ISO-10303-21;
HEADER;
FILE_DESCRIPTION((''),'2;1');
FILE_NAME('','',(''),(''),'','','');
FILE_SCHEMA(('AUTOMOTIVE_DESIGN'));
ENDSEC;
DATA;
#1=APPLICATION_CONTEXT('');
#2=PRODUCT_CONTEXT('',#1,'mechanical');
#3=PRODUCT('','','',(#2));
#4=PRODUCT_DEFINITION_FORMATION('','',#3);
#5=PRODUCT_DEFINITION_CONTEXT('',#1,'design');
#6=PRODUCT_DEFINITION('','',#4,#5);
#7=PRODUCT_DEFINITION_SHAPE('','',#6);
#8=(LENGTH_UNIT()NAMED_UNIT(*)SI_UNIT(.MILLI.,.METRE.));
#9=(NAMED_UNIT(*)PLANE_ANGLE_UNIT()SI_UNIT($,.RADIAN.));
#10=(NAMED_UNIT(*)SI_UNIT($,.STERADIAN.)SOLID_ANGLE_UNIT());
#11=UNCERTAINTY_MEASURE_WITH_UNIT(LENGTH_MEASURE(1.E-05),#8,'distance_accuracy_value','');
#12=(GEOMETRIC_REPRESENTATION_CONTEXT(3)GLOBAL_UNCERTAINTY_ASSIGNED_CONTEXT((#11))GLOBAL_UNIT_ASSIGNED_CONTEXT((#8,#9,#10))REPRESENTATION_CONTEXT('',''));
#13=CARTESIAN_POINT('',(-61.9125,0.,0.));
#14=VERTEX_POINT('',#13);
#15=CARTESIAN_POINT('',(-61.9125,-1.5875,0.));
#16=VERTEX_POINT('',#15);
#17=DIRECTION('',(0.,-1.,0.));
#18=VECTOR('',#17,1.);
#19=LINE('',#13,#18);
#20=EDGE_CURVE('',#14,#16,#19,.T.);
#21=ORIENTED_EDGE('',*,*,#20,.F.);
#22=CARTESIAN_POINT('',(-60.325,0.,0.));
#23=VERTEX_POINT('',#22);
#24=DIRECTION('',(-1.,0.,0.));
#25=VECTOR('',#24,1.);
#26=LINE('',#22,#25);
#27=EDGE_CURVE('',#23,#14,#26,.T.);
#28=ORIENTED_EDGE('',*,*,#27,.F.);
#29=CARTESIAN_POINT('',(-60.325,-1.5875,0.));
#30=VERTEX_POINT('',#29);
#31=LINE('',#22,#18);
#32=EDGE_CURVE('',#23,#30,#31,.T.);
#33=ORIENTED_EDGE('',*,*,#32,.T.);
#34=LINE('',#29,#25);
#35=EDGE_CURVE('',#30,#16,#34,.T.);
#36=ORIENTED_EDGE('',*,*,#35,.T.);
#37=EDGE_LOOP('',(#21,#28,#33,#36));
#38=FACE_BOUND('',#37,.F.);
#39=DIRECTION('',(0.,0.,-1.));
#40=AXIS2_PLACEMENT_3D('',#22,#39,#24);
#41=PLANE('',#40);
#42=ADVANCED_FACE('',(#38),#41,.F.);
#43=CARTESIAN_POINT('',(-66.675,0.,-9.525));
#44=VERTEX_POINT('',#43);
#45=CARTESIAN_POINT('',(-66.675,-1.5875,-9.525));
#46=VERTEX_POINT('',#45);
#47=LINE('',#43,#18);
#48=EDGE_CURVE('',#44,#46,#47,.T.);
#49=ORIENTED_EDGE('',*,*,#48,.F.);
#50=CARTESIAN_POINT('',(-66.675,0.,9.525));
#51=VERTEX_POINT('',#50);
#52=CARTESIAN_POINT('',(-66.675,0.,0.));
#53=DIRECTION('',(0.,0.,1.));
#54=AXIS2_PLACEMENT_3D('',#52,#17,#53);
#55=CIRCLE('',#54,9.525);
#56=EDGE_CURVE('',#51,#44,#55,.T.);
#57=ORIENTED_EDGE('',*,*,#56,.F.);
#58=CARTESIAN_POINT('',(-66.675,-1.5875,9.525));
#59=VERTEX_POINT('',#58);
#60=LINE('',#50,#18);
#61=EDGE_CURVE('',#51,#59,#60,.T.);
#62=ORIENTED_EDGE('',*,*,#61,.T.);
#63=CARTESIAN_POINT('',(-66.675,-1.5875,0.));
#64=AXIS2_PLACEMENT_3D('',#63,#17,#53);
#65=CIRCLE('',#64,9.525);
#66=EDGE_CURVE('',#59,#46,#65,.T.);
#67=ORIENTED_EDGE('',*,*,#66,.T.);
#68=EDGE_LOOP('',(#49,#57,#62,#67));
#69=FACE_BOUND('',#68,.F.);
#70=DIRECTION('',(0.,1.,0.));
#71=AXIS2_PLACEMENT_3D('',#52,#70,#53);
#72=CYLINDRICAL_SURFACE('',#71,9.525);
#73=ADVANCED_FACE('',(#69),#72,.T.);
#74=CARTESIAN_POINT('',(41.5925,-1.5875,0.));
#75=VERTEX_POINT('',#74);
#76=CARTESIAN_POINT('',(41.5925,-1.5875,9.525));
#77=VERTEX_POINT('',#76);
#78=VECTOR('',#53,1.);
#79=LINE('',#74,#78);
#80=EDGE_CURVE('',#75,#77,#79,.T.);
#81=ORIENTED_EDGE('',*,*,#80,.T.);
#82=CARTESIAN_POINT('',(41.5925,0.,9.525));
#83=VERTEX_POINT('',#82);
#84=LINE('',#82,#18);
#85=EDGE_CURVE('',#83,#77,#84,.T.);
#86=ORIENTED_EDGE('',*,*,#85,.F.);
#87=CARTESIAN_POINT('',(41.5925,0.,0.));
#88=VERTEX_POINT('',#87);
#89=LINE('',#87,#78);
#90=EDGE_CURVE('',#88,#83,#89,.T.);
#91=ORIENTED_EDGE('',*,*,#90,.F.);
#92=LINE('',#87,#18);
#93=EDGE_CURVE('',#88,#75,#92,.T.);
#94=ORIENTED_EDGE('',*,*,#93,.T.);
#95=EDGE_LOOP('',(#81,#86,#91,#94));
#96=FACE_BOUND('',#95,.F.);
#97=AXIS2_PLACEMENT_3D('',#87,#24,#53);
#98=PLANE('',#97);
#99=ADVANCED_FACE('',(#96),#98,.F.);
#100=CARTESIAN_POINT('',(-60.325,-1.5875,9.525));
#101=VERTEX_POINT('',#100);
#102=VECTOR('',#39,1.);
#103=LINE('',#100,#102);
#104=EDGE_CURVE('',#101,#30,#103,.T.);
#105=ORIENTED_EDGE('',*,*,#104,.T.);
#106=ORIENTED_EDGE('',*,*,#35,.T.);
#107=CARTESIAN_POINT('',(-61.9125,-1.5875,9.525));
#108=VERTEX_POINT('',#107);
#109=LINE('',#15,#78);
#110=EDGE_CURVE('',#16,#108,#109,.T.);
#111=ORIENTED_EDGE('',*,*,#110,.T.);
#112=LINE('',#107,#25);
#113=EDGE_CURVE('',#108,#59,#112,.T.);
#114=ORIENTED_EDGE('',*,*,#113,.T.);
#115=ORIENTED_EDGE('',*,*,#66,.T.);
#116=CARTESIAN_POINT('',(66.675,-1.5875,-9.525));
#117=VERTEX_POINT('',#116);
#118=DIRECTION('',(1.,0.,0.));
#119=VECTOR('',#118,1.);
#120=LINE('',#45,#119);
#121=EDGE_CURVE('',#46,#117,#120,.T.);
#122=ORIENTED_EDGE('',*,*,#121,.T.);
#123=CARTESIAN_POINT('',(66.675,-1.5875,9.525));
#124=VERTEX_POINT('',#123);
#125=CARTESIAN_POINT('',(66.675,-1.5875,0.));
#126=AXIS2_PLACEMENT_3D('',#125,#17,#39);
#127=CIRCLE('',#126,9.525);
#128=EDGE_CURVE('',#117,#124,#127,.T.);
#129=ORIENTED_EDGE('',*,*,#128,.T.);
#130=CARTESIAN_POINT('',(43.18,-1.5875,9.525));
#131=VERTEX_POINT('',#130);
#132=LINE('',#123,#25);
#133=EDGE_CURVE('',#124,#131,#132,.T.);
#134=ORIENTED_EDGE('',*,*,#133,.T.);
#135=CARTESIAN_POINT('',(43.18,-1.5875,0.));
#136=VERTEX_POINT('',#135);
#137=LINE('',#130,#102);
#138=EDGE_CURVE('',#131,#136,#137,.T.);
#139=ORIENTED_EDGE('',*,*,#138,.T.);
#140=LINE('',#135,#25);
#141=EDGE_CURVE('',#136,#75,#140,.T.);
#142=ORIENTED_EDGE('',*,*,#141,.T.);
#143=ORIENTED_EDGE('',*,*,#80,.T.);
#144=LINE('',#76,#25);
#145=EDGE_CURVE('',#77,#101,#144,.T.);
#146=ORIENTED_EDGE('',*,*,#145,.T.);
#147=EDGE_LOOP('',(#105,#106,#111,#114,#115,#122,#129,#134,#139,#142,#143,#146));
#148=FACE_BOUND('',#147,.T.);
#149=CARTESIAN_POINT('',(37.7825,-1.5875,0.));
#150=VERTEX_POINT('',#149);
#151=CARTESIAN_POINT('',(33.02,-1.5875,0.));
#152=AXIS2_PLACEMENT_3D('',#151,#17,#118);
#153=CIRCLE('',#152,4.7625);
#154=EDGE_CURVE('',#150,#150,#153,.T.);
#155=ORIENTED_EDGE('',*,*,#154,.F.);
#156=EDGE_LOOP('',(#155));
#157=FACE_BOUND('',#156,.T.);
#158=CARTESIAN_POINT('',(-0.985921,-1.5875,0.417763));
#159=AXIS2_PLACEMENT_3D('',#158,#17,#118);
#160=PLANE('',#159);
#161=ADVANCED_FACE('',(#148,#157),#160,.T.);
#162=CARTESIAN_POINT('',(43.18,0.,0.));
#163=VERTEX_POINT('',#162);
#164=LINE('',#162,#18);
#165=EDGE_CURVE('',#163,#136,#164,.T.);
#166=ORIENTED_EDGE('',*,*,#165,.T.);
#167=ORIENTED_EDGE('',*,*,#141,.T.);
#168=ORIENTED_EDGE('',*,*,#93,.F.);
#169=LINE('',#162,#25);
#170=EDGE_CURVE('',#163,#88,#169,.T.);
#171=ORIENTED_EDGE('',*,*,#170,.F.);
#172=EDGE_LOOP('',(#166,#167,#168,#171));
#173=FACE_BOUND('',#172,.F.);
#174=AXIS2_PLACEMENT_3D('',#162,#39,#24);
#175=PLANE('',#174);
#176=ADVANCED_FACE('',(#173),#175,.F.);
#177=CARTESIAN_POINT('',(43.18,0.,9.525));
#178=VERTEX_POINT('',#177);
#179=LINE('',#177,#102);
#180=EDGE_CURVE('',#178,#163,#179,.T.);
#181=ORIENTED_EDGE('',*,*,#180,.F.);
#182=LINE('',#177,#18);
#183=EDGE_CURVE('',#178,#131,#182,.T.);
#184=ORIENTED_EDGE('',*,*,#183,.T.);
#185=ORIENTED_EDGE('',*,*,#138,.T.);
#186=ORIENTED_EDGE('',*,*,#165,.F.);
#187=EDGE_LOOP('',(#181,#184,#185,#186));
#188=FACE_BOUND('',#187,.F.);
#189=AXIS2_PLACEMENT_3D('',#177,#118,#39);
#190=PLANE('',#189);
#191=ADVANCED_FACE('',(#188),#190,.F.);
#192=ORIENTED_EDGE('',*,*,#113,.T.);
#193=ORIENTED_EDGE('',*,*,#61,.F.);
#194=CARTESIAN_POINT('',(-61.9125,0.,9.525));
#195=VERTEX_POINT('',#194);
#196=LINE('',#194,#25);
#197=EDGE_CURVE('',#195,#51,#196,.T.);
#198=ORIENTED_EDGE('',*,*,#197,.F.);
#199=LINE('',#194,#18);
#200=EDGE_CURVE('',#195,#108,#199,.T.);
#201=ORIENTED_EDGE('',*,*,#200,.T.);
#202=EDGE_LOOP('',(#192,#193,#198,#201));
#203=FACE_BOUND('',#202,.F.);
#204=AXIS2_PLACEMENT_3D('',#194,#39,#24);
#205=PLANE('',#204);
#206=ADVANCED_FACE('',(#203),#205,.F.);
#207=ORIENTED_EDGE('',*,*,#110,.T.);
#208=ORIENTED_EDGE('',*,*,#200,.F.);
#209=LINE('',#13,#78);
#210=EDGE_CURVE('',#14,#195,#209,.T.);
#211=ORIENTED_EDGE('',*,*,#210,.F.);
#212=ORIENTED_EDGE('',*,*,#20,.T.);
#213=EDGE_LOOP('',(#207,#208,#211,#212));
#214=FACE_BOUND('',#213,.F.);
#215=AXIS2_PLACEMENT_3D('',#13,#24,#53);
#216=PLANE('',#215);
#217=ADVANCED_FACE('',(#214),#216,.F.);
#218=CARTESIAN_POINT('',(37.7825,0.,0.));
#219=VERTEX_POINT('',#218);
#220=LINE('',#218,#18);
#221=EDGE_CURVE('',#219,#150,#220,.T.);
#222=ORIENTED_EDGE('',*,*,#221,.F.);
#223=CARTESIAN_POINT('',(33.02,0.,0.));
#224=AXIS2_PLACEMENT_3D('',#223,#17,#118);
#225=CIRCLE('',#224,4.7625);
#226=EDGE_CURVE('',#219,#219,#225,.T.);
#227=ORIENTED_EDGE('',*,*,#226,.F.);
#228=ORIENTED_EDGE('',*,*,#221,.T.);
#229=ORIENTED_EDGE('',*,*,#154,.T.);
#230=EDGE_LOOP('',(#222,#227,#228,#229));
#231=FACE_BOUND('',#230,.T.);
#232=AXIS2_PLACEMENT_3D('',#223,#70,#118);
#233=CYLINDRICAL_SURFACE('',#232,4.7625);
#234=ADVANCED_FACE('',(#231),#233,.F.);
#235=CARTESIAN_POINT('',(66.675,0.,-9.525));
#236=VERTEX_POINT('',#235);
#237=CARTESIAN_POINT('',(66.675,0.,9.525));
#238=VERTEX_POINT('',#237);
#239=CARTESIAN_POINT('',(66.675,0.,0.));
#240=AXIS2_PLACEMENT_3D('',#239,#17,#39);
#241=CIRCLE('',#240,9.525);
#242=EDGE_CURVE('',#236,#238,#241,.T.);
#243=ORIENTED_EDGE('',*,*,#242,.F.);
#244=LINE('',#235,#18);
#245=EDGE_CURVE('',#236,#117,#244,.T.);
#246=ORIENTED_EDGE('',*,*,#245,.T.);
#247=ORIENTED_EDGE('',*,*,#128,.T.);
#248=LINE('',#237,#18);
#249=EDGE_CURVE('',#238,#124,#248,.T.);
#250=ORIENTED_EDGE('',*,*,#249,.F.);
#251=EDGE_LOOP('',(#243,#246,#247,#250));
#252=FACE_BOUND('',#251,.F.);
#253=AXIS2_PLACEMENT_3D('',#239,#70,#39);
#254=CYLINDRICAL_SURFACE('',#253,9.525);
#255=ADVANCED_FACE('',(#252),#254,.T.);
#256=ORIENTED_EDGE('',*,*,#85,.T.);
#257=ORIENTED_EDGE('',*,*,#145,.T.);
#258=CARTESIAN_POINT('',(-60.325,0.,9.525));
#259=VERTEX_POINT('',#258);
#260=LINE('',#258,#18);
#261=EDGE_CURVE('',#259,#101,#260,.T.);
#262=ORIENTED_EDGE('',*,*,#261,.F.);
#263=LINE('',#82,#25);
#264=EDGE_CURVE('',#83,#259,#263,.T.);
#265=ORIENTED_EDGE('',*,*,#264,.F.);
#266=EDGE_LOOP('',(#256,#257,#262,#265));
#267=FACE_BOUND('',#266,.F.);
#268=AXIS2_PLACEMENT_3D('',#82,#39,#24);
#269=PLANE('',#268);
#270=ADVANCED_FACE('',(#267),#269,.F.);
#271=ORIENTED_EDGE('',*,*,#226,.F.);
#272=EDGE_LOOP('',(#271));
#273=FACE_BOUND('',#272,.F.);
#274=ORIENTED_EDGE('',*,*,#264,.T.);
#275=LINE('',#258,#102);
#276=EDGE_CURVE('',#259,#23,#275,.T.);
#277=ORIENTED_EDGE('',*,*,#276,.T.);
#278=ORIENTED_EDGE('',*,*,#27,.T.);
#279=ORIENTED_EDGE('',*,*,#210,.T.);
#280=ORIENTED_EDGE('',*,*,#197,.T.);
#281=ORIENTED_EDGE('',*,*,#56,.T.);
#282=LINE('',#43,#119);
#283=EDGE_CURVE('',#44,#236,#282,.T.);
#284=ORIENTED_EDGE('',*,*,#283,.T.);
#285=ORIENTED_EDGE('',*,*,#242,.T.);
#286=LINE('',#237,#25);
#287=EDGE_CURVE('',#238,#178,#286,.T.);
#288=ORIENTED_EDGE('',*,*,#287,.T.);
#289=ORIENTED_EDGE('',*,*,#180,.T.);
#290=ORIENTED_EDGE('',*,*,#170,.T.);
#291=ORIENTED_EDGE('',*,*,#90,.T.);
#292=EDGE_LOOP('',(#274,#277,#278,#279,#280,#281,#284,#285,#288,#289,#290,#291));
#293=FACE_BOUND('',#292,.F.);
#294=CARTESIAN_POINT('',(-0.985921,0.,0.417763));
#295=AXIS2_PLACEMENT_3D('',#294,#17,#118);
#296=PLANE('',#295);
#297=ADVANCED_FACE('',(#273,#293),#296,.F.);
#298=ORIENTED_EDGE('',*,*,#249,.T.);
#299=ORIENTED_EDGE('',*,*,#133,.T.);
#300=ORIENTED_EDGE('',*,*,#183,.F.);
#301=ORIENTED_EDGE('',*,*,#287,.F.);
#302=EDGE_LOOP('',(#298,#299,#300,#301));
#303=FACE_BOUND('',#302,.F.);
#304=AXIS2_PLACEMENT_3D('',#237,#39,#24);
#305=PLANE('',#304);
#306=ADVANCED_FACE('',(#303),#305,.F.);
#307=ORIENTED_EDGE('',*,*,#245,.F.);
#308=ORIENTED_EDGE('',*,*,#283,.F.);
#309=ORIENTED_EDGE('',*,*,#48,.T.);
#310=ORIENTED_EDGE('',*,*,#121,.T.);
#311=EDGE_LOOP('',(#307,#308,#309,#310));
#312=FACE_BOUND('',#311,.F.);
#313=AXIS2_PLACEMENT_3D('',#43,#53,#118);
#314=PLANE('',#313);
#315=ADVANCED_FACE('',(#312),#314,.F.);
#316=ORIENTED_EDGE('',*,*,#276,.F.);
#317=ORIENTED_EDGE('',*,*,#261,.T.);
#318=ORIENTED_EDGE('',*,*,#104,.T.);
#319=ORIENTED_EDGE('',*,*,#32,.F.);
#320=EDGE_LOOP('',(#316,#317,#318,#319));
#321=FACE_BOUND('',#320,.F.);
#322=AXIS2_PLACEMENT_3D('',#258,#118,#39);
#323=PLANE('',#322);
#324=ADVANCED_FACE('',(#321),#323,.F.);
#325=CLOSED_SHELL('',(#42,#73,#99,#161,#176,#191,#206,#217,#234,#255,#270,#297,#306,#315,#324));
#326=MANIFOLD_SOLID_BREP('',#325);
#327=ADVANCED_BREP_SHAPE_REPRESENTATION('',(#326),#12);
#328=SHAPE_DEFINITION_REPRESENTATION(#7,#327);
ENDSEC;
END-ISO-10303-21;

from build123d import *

# Parameters (mm, degrees)
F0_R     = 4.7625
F1_DEPTH = 1.5875


with BuildPart() as f1:
    # F0 (on Front) → F1 (new body)
    with BuildSketch(Plane.XZ):
        with BuildLine():
            Line((-66.675, -9.525), (66.675, -9.525))
            ThreePointArc((66.675, -9.525), (76.2, 0), (66.675, 9.525))
            Line((66.675, 9.525), (43.18, 9.525))
            Line((43.18, 9.525), (43.18, 0))
            Line((43.18, 0), (41.5925, 0))
            Line((41.5925, 0), (41.5925, 9.525))
            Line((41.5925, 9.525), (-60.325, 9.525))
            Line((-60.325, 9.525), (-60.325, 0))
            Line((-60.325, 0), (-61.9125, 0))
            Line((-61.9125, 0), (-61.9125, 9.525))
            Line((-61.9125, 9.525), (-66.675, 9.525))
            ThreePointArc((-66.675, 9.525), (-76.2, 0), (-66.675, -9.525))
        make_face()
        with Locations((33.02, 0)):
            Circle(F0_R, mode=Mode.SUBTRACT)
    extrude(amount=F1_DEPTH)


solid = f1.part
